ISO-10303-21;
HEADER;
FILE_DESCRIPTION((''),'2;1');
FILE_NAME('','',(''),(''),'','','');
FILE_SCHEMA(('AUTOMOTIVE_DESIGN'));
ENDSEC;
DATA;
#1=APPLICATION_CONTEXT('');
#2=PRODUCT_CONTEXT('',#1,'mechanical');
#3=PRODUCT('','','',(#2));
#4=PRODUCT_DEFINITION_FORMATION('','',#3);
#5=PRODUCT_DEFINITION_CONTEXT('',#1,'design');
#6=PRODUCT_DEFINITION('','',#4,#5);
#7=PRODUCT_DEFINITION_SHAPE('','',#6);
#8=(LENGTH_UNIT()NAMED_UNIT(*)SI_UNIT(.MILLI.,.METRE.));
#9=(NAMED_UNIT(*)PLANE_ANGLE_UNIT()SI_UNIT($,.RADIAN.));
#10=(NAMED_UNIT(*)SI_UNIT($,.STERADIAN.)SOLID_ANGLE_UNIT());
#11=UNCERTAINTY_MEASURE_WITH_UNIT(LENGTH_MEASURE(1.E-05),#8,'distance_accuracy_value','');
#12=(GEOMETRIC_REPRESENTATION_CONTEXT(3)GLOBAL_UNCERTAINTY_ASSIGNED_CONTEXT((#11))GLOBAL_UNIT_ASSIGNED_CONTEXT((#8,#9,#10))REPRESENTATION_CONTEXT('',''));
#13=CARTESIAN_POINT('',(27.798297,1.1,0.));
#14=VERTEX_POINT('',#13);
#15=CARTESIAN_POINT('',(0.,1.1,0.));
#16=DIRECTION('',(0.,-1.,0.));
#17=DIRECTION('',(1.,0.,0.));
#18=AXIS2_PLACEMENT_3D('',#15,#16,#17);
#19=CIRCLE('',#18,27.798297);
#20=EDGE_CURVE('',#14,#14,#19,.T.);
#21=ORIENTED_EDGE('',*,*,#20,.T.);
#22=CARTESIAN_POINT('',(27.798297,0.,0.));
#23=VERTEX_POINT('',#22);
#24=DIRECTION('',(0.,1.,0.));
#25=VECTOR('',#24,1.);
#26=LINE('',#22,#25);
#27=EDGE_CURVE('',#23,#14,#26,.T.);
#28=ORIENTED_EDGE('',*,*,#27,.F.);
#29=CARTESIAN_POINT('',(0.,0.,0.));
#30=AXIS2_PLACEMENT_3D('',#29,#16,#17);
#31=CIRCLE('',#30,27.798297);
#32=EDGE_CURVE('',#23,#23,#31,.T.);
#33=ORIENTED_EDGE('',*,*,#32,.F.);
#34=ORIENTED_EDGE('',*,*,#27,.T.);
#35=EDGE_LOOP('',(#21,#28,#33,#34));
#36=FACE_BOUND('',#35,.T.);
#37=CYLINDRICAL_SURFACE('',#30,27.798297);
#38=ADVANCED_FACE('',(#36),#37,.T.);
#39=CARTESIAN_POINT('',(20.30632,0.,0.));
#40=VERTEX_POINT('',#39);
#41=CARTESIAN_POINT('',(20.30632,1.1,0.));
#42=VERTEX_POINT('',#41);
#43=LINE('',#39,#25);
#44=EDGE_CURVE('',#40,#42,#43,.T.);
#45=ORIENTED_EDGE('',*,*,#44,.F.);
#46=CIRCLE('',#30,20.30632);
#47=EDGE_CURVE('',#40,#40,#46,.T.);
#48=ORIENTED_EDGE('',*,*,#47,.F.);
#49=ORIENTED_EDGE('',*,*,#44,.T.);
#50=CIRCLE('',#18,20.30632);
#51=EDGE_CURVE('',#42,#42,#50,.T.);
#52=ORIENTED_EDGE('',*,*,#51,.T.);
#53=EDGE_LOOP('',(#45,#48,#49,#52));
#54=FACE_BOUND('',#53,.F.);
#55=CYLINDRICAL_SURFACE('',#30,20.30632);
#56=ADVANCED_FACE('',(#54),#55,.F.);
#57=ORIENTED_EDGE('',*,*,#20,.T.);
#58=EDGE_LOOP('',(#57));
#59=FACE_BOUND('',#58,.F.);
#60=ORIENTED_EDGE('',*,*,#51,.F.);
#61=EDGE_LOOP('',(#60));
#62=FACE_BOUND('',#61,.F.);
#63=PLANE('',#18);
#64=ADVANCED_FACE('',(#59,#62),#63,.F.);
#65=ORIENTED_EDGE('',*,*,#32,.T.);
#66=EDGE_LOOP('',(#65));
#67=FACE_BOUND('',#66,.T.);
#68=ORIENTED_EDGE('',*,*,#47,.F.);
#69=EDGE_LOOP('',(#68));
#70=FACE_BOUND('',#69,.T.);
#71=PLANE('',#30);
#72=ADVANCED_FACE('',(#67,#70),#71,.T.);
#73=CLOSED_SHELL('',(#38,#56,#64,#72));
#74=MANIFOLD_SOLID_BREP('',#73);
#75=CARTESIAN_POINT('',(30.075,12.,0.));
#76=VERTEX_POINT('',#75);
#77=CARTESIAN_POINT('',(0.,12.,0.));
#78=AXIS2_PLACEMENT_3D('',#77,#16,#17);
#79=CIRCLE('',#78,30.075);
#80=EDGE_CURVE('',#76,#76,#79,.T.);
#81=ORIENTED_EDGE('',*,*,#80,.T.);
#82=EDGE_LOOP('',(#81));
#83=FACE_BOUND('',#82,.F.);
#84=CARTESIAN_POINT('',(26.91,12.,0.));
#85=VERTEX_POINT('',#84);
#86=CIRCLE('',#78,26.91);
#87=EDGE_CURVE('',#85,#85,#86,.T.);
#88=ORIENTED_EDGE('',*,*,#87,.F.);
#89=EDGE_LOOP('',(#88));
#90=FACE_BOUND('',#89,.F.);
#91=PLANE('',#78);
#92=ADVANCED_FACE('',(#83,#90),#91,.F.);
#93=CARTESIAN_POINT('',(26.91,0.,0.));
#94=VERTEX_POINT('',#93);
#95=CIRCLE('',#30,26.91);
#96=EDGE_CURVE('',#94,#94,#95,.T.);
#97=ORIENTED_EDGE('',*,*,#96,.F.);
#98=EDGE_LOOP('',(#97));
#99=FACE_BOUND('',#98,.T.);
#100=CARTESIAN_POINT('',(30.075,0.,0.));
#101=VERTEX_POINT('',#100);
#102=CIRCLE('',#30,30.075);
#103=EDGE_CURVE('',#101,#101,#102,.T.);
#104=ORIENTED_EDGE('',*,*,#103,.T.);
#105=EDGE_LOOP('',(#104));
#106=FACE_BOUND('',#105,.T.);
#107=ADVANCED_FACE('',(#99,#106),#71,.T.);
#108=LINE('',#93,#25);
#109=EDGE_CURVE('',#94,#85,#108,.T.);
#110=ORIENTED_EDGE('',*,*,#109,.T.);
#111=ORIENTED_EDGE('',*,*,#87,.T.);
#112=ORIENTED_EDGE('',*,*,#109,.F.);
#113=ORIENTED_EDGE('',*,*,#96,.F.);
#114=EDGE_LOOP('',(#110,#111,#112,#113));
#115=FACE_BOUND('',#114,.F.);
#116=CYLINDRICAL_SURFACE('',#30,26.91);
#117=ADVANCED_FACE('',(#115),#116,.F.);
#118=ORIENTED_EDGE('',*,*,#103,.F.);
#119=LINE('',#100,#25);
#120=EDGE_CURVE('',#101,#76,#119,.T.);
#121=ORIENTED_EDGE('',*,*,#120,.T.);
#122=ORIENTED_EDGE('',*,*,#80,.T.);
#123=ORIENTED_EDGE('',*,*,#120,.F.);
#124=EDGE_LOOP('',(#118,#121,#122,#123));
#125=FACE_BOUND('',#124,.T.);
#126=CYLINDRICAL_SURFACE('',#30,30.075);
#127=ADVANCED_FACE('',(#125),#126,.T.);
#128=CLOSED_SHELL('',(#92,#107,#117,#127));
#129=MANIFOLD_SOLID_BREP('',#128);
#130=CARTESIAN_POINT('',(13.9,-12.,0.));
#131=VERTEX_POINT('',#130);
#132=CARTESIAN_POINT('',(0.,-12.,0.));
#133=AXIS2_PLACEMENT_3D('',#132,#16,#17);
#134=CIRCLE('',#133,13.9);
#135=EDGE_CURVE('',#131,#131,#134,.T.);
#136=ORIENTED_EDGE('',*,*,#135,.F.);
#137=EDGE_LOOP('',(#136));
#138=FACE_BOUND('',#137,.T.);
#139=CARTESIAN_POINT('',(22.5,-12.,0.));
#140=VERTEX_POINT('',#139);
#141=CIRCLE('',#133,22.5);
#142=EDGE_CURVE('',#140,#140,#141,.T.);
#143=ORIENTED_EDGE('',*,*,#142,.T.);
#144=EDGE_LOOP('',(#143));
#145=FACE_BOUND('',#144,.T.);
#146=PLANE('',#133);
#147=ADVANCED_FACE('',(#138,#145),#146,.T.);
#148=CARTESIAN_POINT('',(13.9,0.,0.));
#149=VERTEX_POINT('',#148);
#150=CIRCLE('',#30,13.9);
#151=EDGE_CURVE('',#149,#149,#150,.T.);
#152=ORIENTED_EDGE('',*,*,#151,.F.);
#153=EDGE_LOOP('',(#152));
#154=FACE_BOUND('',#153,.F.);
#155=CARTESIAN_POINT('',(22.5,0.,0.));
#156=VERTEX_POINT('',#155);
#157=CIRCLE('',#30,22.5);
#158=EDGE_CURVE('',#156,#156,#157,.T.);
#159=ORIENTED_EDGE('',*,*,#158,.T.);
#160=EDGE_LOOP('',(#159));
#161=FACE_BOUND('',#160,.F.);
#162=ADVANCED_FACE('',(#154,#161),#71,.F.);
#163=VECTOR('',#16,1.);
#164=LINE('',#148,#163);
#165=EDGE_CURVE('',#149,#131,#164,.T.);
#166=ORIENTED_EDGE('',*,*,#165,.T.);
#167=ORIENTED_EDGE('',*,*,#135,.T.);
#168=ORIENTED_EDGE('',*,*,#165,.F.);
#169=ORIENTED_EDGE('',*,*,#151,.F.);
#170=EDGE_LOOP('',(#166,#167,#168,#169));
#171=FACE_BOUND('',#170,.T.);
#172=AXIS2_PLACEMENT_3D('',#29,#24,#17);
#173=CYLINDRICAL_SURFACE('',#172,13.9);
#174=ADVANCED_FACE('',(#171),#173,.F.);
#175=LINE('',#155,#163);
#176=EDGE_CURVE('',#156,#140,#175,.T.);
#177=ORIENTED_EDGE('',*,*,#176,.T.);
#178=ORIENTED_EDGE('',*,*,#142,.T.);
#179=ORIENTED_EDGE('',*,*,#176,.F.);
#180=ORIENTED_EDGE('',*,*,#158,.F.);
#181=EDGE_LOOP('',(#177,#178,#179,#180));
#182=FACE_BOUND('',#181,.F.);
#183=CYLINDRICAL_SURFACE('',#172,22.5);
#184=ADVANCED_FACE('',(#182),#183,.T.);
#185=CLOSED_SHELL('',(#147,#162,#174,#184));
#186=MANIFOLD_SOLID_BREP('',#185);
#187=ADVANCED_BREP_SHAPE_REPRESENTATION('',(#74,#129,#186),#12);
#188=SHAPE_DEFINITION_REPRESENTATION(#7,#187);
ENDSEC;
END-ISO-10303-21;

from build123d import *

# Parameters (mm, degrees)
F0_R     = 22.5
F0_R_2   = 13.9
F1_DEPTH = 12
F2_R     = 30.075
F2_R_2   = 26.91
F3_DEPTH = 12
F4_R     = 27.798297
F4_R_2   = 20.30632
F5_DEPTH = 1.1


with BuildPart() as f1:
    # F0 (on Front) → F1 (new body)
    with BuildSketch(Plane.XZ):
        Circle(F0_R)
        Circle(F0_R_2, mode=Mode.SUBTRACT)
    extrude(amount=F1_DEPTH)


with BuildPart() as f3:
    # F2 (on Front) → F3 (new body)
    with BuildSketch(Plane.XZ):
        Circle(F2_R)
        Circle(F2_R_2, mode=Mode.SUBTRACT)
    extrude(amount=-F3_DEPTH)


with BuildPart() as f5:
    # F4 (on Front) → F5 (new body)
    with BuildSketch(Plane.XZ):
        Circle(F4_R)
        Circle(F4_R_2, mode=Mode.SUBTRACT)
    extrude(amount=-F5_DEPTH)


solid = Compound([f1.part, f3.part, f5.part])
